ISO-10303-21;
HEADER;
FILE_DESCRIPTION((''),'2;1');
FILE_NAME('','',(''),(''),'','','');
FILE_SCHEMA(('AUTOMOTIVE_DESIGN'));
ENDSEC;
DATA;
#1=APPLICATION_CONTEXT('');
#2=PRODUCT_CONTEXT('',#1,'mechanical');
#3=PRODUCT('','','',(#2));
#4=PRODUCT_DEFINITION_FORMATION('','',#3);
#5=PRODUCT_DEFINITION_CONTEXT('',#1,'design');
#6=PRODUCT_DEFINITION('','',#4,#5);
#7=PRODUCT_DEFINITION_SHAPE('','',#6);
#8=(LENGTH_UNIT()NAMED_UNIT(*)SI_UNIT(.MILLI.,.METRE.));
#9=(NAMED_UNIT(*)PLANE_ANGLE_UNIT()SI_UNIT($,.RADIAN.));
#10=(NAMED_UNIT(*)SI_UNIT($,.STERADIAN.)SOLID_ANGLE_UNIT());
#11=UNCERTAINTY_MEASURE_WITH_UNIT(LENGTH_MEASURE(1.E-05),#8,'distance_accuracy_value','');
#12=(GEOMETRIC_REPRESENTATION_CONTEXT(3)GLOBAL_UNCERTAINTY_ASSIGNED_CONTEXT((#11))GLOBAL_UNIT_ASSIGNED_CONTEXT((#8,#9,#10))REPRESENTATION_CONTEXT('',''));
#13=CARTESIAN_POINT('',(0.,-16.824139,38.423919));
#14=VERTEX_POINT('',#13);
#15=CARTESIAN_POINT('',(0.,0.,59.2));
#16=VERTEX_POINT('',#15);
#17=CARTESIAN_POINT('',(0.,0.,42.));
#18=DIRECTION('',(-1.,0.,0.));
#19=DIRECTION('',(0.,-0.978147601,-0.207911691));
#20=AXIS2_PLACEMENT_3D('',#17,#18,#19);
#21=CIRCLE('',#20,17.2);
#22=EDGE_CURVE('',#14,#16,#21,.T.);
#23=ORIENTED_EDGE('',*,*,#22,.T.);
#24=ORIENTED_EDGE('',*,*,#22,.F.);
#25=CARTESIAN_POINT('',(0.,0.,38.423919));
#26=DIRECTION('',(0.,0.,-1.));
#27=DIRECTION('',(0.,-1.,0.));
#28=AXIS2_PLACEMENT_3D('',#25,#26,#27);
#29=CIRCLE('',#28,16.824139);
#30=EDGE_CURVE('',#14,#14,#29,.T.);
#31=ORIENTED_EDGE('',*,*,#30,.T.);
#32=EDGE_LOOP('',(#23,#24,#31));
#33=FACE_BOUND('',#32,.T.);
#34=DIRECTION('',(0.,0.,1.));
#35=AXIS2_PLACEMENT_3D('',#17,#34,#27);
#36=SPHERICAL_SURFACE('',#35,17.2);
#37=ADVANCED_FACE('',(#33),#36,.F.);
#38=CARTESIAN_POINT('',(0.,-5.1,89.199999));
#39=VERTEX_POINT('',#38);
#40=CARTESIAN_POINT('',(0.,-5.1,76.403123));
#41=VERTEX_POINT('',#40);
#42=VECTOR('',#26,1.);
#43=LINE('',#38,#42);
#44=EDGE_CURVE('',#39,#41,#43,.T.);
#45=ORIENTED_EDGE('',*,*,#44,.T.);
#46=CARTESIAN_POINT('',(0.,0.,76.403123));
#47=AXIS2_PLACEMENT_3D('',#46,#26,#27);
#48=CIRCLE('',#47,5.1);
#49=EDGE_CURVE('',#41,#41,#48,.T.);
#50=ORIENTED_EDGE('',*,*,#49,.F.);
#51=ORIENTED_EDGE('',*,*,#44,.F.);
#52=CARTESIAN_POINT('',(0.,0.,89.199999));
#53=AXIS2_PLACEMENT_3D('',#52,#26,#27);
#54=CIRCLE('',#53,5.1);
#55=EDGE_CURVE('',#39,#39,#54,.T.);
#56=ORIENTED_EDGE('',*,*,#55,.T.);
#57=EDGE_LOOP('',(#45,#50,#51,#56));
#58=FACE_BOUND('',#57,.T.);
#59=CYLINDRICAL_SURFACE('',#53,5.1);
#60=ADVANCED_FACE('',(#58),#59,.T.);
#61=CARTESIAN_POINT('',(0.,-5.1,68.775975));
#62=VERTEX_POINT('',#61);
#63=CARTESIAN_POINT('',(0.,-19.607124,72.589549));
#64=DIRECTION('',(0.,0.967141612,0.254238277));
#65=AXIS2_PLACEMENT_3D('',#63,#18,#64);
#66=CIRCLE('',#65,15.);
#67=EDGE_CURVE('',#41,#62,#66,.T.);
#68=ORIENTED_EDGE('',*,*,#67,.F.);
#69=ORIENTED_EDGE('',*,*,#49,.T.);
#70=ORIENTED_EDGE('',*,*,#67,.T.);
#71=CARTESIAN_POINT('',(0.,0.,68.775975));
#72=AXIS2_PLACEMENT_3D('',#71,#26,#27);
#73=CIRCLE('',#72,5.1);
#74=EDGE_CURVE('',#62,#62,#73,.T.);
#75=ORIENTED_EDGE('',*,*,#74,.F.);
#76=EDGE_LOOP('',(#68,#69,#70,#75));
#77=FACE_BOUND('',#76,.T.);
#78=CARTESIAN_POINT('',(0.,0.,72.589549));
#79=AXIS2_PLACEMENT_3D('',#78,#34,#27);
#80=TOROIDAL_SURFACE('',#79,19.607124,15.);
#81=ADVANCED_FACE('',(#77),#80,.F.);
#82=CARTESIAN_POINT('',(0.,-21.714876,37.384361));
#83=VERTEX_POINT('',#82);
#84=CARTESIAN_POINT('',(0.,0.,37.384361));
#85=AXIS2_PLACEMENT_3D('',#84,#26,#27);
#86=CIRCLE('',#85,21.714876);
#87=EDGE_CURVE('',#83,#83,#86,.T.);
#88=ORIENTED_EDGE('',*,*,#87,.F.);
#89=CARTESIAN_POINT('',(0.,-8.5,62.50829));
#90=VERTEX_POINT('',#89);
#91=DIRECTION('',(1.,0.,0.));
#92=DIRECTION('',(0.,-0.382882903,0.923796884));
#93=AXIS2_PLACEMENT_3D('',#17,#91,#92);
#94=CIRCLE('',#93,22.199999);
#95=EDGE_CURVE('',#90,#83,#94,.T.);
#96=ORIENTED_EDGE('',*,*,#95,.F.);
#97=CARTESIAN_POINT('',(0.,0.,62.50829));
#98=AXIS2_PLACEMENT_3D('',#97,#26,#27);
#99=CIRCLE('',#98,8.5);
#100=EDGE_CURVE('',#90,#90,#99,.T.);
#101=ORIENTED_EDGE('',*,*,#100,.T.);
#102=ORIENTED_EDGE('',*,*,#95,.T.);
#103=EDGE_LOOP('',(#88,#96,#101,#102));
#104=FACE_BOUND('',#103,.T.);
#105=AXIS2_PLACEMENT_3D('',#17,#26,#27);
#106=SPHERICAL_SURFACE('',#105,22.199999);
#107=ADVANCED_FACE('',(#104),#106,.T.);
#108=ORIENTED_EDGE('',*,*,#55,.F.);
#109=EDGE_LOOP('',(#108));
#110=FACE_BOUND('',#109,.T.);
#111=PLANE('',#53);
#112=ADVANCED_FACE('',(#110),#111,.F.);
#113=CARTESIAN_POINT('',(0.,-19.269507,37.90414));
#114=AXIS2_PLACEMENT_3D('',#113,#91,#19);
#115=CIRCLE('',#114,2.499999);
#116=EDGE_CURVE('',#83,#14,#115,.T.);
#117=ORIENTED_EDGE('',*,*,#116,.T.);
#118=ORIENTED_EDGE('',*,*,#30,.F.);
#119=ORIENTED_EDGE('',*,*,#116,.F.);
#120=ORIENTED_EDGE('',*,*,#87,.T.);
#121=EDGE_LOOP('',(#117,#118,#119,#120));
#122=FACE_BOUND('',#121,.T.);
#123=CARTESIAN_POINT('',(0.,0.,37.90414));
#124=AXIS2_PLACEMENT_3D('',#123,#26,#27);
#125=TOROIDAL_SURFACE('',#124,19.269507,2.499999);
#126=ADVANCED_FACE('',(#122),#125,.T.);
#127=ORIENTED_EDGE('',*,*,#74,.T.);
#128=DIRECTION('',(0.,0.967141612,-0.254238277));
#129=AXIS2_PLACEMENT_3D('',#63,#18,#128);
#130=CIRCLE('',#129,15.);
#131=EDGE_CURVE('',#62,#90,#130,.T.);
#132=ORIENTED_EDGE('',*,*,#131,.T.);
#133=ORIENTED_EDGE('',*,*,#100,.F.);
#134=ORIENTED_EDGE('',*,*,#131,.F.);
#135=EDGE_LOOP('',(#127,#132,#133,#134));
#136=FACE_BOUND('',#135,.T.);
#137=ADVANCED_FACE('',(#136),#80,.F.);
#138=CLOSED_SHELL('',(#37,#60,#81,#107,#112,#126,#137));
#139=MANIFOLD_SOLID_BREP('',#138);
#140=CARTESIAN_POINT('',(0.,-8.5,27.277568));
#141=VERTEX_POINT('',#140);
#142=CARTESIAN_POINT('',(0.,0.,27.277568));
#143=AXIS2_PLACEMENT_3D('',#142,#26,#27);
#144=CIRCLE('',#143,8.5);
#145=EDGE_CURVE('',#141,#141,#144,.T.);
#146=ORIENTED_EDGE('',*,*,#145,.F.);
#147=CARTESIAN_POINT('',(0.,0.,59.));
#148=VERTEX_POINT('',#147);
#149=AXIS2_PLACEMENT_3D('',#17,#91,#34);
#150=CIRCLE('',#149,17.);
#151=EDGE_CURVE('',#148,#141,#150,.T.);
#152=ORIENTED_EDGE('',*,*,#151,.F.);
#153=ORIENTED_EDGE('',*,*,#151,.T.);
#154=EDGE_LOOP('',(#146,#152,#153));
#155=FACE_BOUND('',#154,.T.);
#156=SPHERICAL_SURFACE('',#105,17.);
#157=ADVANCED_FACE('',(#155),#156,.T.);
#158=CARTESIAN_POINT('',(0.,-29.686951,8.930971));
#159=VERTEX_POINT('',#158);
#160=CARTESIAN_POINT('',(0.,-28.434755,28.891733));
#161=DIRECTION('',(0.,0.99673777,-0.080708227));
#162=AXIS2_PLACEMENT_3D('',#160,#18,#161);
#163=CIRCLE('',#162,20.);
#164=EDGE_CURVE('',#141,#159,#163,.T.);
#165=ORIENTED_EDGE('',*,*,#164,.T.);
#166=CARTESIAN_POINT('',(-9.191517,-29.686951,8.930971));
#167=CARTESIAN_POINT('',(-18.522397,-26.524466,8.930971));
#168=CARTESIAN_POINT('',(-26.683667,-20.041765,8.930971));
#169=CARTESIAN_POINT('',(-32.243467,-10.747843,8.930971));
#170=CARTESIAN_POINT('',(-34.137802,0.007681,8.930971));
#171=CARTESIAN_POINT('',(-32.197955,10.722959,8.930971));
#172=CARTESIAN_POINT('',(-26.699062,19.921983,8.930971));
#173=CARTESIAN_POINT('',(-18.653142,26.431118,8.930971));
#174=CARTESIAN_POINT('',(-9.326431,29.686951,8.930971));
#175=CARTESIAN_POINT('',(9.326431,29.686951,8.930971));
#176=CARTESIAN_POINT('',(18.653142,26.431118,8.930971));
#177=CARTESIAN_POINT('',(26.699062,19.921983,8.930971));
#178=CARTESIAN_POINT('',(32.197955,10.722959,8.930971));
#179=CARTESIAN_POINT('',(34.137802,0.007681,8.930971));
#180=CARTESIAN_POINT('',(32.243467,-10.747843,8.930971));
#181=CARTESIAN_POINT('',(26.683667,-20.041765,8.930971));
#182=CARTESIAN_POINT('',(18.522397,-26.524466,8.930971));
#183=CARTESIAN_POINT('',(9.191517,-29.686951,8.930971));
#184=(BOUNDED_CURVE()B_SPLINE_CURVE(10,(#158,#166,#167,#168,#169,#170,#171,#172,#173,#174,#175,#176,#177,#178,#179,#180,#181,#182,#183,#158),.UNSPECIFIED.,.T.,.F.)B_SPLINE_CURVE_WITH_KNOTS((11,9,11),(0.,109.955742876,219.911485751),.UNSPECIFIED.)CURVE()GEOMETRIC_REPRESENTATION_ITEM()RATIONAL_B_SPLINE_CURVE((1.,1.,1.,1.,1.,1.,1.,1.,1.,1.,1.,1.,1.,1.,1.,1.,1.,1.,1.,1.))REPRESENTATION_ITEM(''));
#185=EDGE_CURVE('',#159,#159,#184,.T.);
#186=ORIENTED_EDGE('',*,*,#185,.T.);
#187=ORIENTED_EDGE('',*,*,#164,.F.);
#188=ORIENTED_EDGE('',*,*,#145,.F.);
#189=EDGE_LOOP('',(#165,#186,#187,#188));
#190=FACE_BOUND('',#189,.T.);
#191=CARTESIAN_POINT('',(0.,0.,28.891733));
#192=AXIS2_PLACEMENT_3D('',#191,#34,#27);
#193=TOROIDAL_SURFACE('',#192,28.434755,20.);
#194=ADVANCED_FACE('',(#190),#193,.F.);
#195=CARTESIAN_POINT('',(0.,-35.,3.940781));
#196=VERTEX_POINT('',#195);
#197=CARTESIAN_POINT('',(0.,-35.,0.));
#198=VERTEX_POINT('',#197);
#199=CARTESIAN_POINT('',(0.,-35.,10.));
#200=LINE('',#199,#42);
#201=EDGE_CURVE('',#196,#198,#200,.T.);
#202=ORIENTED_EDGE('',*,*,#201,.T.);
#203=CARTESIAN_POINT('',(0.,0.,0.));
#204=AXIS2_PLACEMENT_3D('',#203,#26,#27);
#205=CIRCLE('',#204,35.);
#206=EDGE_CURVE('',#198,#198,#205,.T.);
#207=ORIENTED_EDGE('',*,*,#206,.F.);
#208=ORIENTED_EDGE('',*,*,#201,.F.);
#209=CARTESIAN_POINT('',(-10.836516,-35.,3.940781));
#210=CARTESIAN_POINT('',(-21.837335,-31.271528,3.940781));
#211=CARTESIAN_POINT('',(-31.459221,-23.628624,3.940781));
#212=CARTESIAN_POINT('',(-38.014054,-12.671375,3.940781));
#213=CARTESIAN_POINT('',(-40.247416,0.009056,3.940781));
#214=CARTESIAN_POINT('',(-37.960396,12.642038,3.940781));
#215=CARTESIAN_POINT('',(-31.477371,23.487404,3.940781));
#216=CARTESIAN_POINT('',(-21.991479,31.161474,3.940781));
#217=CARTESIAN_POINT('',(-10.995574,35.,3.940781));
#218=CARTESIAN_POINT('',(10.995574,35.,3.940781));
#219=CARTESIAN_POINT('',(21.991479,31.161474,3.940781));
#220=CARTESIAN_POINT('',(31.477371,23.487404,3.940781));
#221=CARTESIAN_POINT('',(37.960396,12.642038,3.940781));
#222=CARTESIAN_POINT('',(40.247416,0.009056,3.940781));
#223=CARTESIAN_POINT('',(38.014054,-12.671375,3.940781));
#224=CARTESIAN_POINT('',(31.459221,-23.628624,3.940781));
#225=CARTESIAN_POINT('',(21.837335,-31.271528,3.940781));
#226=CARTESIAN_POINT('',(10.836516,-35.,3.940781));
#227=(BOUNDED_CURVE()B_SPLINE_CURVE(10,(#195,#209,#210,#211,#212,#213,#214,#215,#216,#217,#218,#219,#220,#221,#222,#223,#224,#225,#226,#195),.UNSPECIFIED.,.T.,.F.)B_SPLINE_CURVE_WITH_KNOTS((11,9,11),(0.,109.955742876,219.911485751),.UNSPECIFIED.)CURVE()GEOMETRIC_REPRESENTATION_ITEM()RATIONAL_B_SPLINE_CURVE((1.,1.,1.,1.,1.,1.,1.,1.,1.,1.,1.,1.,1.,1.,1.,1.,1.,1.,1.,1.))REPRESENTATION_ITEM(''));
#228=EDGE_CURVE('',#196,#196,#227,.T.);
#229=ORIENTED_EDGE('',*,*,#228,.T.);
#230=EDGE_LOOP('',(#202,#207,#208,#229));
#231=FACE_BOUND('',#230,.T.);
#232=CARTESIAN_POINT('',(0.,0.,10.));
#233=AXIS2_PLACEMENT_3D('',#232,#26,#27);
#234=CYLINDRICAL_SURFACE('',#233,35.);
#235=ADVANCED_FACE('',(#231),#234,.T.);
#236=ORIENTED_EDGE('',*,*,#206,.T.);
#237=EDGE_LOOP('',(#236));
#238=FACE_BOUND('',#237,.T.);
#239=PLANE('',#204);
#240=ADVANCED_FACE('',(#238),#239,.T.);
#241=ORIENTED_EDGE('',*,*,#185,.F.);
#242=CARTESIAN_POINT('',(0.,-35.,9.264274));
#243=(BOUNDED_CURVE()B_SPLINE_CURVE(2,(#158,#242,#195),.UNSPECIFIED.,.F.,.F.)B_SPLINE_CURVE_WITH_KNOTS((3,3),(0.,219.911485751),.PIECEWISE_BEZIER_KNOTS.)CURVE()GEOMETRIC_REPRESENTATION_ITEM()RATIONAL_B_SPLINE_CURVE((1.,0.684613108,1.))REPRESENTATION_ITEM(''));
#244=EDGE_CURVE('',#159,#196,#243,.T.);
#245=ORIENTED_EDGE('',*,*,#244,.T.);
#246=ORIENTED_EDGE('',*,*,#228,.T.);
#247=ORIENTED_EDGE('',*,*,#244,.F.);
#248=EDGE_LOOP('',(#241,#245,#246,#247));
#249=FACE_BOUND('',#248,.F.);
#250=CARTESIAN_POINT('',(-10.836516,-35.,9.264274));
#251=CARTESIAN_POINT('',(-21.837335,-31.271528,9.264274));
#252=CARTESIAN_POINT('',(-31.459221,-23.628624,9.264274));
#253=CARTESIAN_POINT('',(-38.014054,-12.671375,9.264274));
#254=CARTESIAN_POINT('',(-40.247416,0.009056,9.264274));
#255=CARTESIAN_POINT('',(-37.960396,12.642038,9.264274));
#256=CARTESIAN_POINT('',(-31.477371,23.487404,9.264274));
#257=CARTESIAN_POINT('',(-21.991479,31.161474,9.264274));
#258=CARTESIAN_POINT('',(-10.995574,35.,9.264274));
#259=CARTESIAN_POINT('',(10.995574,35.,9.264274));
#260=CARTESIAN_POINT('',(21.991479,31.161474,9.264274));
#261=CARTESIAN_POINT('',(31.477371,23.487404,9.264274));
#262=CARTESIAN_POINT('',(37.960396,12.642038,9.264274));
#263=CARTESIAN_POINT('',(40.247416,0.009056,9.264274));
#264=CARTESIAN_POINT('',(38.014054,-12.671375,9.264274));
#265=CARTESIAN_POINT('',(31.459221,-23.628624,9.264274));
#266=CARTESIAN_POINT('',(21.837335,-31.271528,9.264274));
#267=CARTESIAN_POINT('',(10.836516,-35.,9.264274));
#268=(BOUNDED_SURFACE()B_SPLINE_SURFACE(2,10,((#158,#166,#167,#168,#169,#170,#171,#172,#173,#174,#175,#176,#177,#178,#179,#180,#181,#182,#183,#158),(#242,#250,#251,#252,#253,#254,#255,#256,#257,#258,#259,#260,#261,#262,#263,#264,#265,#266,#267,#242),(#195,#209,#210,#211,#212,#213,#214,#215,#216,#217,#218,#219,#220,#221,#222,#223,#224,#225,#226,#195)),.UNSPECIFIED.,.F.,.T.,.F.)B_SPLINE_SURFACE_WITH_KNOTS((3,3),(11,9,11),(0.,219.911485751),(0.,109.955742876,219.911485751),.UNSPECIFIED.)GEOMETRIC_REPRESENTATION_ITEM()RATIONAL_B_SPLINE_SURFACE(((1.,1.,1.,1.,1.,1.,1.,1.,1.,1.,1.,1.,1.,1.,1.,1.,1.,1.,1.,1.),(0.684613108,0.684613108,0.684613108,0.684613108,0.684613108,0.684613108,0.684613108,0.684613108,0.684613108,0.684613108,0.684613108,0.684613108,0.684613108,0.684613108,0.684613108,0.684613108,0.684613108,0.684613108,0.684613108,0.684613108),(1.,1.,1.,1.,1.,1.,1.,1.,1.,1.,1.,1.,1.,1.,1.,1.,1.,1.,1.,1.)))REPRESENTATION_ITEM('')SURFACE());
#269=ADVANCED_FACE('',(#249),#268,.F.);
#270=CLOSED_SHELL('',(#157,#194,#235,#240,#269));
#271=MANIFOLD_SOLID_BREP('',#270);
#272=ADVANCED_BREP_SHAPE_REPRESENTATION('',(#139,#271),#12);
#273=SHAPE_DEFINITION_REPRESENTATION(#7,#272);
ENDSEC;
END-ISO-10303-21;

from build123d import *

# Parameters (mm, degrees)
F3_R = 5


with BuildPart() as f1:
    # F0 (on Right) → F1 (revolve)
    with BuildSketch(Plane.YZ):
        with BuildLine():
            Line((-35, 0), (0, 0))
            Line((0, 0), (0, 25))
            ThreePointArc((0, 25), (-4.3999237667, 25.5792609531), (-8.5, 27.2775681357))
            ThreePointArc((-8.5, 27.2775681357), (-17.5116356565, 12.138062773), (-35, 10))
            Line((-35, 10), (-35, 0))
        make_face()
        with BuildLine():
            ThreePointArc((-8.5, 27.2775681357), (-4.3999237667, 25.5792609531), (0, 25))
            Line((0, 25), (0, 59))
            ThreePointArc((0, 59), (-16.4207390469, 46.3999237667), (-8.5, 27.2775681357))
        make_face()
    revolve(axis=Axis((0, 0, 29.5), (0, 0, -1)))

    # F3
    f3_edges = [f1.edges().sort_by_distance(p)[0] for p in [
        (0, 35, 10),
    ]]
    fillet(f3_edges, radius=F3_R)


with BuildPart() as f2:
    # F0 (on Right) → F2 (revolve)
    with BuildSketch(Plane.YZ):
        with BuildLine():
            ThreePointArc((-16.8241387326, 38.4239189179), (-13.3669105371, 52.8243107261), (0, 59.2))
            Line((0, 59.2), (0, 64.1999988259))
            ThreePointArc((0, 64.1999988259), (-2.5672232165, 64.0510614898), (-5.1, 63.6062478897))
            ThreePointArc((-5.1, 63.6062478897), (-6.822124158, 63.1257797452), (-8.5, 62.5082897354))
            ThreePointArc((-8.5, 62.5082897354), (-19.6478403175, 52.3345207305), (-21.7148755879, 37.384360708))
            Line((-21.7148755879, 37.384360708), (-16.8241387326, 38.4239189179))
        make_face()
        with BuildLine():
            ThreePointArc((-8.5, 62.5082897354), (-6.822124158, 63.1257797452), (-5.1, 63.6062478897))
            Line((-5.1, 63.6062478897), (-5.1, 68.7759750366))
            ThreePointArc((-5.1, 68.7759750366), (-6.4221554839, 65.437164955), (-8.5, 62.5082897354))
        make_face()
        with BuildLine():
            ThreePointArc((-5.1, 63.6062478897), (-2.5672232165, 64.0510614898), (0, 64.1999988259))
            Line((0, 64.1999988259), (0, 89.1999988259))
            Line((0, 89.1999988259), (-5.1, 89.1999988259))
            Line((-5.1, 89.1999988259), (-5.1, 76.4031233578))
            ThreePointArc((-5.1, 76.4031233578), (-4.6071241851, 72.5895491972), (-5.1, 68.7759750366))
            Line((-5.1, 68.7759750366), (-5.1, 63.6062478897))
        make_face()
        with BuildLine():
            ThreePointArc((-21.7148755879, 37.384360708), (-18.7497280552, 35.4587713853), (-16.8241387326, 38.4239189179))
            Line((-16.8241387326, 38.4239189179), (-21.7148755879, 37.384360708))
        make_face()
    revolve(axis=Axis((0, 0, 76.6999988259), (0, 0, -1)))


solid = Compound([f1.part, f2.part])
